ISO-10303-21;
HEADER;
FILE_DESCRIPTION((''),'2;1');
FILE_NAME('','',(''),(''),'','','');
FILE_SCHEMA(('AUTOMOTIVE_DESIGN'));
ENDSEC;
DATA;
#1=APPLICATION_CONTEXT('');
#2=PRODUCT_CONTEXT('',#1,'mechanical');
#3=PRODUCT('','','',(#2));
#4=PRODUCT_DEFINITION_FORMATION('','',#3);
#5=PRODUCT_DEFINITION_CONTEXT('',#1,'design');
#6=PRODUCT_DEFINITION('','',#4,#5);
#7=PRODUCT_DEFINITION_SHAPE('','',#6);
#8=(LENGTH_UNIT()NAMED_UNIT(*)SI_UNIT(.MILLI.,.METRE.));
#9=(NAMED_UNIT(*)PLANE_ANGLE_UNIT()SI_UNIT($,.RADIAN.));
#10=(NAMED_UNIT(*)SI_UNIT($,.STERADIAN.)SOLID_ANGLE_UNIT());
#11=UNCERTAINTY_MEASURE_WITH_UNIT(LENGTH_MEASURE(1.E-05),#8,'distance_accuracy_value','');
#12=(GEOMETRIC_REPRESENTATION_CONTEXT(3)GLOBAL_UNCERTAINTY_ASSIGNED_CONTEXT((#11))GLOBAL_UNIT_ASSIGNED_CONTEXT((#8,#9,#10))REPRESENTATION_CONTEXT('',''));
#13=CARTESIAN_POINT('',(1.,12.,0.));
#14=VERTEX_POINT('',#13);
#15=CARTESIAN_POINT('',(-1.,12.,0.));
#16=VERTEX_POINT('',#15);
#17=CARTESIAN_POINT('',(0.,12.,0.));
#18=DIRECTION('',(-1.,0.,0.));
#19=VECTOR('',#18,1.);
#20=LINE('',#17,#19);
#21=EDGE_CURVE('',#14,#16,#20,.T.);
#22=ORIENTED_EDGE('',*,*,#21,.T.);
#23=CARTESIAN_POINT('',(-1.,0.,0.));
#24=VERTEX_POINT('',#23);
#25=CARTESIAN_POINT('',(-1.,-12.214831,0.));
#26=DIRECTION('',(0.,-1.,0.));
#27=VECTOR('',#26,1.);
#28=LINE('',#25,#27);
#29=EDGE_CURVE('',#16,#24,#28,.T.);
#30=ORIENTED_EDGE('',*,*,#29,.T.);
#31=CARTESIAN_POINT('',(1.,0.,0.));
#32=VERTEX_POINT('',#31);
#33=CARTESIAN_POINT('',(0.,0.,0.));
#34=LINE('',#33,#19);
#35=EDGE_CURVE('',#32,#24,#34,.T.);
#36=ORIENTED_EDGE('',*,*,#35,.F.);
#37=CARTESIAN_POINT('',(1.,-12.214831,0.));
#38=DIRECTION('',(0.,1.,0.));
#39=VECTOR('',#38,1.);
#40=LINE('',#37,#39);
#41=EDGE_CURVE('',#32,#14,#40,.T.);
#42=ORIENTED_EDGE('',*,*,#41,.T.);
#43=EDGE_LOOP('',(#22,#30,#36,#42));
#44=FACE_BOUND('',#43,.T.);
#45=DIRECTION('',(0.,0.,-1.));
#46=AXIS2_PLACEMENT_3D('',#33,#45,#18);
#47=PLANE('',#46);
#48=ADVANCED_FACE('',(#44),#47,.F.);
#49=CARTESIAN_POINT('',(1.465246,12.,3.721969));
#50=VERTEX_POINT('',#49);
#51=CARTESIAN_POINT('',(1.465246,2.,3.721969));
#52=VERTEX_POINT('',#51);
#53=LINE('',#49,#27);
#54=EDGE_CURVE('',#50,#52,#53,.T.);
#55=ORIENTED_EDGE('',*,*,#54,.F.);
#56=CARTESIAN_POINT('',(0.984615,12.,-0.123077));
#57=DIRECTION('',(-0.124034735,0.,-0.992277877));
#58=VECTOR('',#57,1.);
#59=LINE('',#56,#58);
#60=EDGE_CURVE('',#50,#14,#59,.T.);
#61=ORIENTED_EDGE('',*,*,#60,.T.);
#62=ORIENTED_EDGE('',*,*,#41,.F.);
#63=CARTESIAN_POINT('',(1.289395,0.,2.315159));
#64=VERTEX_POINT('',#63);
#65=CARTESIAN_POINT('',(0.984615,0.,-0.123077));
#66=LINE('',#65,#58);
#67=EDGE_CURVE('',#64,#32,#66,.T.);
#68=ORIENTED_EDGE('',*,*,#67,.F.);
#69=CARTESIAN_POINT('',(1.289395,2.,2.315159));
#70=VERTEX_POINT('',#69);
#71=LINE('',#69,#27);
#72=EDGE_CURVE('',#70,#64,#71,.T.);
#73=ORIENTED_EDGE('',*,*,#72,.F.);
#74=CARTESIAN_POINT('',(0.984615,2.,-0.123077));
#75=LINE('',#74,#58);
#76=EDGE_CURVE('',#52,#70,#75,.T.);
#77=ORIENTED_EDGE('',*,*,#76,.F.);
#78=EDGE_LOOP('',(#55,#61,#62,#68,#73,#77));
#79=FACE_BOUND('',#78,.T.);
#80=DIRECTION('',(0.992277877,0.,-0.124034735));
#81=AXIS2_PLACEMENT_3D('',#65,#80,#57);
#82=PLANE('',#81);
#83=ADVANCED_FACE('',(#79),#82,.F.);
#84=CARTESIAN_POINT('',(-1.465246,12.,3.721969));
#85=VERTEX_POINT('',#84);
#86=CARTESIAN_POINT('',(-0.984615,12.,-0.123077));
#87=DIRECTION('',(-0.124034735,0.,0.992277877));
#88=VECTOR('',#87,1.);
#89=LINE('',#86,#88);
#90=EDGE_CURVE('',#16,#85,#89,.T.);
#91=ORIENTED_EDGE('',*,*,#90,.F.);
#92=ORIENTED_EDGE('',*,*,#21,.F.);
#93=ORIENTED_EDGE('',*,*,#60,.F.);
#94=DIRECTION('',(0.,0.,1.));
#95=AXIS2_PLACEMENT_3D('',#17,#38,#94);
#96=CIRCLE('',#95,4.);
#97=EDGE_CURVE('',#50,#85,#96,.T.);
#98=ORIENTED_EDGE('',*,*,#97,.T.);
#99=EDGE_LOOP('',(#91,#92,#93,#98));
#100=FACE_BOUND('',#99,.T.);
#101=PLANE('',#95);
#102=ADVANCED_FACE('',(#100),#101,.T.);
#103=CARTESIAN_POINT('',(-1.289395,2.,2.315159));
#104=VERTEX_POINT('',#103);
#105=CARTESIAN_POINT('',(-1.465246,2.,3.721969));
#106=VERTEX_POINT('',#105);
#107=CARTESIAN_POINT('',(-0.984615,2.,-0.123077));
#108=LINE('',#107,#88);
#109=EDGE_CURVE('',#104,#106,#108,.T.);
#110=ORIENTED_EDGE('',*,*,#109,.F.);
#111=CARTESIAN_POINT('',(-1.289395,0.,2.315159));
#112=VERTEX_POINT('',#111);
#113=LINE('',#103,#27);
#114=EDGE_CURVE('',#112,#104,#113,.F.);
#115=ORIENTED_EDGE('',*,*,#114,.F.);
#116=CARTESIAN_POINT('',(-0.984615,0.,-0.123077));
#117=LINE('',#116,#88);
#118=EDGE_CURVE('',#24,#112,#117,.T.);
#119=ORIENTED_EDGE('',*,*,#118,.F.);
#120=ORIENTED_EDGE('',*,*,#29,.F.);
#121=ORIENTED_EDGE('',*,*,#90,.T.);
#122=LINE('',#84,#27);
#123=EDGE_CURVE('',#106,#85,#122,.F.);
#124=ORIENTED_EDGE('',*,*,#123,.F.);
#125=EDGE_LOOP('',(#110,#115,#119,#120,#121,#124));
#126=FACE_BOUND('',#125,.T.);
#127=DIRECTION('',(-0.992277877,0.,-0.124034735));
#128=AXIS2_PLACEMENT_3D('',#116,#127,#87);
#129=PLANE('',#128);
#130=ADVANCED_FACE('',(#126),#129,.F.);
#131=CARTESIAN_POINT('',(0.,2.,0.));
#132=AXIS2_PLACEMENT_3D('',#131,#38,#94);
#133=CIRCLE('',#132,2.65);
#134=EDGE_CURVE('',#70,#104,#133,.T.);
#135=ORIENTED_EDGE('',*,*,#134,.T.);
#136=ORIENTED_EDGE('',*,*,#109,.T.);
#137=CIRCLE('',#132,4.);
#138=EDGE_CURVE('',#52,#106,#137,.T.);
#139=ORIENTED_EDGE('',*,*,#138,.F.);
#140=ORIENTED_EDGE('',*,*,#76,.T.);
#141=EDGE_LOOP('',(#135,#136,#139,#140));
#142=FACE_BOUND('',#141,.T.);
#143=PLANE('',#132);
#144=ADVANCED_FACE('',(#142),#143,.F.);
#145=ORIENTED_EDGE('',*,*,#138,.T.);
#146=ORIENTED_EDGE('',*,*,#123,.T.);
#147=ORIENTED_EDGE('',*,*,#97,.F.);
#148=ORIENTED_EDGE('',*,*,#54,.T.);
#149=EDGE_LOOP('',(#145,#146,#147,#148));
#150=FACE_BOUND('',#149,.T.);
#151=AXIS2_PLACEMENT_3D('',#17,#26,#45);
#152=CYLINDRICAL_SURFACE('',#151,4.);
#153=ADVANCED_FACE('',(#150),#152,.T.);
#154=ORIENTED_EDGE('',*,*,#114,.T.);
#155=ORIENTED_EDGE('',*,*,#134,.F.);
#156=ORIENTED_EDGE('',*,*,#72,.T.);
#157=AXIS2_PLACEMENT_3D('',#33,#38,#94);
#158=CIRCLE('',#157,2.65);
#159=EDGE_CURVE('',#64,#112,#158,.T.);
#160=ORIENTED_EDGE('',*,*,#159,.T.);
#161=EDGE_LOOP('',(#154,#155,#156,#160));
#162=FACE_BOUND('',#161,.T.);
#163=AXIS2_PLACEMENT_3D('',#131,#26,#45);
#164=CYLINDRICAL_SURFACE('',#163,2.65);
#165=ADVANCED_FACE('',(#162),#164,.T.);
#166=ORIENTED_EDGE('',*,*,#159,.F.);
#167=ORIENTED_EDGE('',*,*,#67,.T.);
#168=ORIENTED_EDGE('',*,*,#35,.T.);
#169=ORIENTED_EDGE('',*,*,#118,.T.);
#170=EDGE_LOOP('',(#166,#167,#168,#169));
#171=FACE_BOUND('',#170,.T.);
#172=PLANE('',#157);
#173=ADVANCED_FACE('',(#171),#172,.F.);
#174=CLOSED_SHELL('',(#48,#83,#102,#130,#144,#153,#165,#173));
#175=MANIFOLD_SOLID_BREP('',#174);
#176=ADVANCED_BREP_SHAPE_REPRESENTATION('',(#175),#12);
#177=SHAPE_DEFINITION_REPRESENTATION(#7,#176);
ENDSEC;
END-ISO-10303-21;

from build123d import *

# Parameters (mm, degrees)
SKETCH2_R           = 2.65
BOSS_EXTRUDE1_DEPTH = 2
SKETCH3_R           = 4
BOSS_EXTRUDE2_DEPTH = 10


with BuildPart() as part:
    # Sketch2 → Boss-Extrude1 (new body)
    with BuildSketch(Plane(origin=(0, 0, 0), x_dir=(1, 0, 0), z_dir=(0, 1, 0))):
        with Locations(Location((0, 0, 0), (0, 0, 270))):
            Circle(SKETCH2_R)
    extrude(amount=BOSS_EXTRUDE1_DEPTH)

    # Sketch3 → Boss-Extrude2 (add)
    with BuildSketch(Plane(origin=(0, 2, 0), x_dir=(1, 0, 0), z_dir=(0, 1, 0))):
        with Locations(Location((0, 0, 0), (0, 0, 270))):
            Circle(SKETCH3_R)
    extrude(amount=BOSS_EXTRUDE2_DEPTH)

    # Sketch4 → Cut-Loft1 section 0
    with BuildSketch(Plane.XY.offset(4)):
        with BuildLine():
            Line((-1.5, -12.39924767), (1.5, -12.39924767))
            Line((1.5, -12.39924767), (1.5, 12.39924767))
            Line((1.5, 12.39924767), (-1.5, 12.39924767))
            Line((-1.5, 12.39924767), (-1.5, -12.39924767))
        make_face()
    # Sketch5 → Cut-Loft1 section 1
    with BuildSketch(Plane.XY):
        with BuildLine():
            Line((-1, -12.21483131), (1, -12.21483131))
            Line((1, -12.21483131), (1, 12.21483131))
            Line((1, 12.21483131), (-1, 12.21483131))
            Line((-1, 12.21483131), (-1, -12.21483131))
        make_face()
    loft(mode=Mode.SUBTRACT)


solid = part.part
